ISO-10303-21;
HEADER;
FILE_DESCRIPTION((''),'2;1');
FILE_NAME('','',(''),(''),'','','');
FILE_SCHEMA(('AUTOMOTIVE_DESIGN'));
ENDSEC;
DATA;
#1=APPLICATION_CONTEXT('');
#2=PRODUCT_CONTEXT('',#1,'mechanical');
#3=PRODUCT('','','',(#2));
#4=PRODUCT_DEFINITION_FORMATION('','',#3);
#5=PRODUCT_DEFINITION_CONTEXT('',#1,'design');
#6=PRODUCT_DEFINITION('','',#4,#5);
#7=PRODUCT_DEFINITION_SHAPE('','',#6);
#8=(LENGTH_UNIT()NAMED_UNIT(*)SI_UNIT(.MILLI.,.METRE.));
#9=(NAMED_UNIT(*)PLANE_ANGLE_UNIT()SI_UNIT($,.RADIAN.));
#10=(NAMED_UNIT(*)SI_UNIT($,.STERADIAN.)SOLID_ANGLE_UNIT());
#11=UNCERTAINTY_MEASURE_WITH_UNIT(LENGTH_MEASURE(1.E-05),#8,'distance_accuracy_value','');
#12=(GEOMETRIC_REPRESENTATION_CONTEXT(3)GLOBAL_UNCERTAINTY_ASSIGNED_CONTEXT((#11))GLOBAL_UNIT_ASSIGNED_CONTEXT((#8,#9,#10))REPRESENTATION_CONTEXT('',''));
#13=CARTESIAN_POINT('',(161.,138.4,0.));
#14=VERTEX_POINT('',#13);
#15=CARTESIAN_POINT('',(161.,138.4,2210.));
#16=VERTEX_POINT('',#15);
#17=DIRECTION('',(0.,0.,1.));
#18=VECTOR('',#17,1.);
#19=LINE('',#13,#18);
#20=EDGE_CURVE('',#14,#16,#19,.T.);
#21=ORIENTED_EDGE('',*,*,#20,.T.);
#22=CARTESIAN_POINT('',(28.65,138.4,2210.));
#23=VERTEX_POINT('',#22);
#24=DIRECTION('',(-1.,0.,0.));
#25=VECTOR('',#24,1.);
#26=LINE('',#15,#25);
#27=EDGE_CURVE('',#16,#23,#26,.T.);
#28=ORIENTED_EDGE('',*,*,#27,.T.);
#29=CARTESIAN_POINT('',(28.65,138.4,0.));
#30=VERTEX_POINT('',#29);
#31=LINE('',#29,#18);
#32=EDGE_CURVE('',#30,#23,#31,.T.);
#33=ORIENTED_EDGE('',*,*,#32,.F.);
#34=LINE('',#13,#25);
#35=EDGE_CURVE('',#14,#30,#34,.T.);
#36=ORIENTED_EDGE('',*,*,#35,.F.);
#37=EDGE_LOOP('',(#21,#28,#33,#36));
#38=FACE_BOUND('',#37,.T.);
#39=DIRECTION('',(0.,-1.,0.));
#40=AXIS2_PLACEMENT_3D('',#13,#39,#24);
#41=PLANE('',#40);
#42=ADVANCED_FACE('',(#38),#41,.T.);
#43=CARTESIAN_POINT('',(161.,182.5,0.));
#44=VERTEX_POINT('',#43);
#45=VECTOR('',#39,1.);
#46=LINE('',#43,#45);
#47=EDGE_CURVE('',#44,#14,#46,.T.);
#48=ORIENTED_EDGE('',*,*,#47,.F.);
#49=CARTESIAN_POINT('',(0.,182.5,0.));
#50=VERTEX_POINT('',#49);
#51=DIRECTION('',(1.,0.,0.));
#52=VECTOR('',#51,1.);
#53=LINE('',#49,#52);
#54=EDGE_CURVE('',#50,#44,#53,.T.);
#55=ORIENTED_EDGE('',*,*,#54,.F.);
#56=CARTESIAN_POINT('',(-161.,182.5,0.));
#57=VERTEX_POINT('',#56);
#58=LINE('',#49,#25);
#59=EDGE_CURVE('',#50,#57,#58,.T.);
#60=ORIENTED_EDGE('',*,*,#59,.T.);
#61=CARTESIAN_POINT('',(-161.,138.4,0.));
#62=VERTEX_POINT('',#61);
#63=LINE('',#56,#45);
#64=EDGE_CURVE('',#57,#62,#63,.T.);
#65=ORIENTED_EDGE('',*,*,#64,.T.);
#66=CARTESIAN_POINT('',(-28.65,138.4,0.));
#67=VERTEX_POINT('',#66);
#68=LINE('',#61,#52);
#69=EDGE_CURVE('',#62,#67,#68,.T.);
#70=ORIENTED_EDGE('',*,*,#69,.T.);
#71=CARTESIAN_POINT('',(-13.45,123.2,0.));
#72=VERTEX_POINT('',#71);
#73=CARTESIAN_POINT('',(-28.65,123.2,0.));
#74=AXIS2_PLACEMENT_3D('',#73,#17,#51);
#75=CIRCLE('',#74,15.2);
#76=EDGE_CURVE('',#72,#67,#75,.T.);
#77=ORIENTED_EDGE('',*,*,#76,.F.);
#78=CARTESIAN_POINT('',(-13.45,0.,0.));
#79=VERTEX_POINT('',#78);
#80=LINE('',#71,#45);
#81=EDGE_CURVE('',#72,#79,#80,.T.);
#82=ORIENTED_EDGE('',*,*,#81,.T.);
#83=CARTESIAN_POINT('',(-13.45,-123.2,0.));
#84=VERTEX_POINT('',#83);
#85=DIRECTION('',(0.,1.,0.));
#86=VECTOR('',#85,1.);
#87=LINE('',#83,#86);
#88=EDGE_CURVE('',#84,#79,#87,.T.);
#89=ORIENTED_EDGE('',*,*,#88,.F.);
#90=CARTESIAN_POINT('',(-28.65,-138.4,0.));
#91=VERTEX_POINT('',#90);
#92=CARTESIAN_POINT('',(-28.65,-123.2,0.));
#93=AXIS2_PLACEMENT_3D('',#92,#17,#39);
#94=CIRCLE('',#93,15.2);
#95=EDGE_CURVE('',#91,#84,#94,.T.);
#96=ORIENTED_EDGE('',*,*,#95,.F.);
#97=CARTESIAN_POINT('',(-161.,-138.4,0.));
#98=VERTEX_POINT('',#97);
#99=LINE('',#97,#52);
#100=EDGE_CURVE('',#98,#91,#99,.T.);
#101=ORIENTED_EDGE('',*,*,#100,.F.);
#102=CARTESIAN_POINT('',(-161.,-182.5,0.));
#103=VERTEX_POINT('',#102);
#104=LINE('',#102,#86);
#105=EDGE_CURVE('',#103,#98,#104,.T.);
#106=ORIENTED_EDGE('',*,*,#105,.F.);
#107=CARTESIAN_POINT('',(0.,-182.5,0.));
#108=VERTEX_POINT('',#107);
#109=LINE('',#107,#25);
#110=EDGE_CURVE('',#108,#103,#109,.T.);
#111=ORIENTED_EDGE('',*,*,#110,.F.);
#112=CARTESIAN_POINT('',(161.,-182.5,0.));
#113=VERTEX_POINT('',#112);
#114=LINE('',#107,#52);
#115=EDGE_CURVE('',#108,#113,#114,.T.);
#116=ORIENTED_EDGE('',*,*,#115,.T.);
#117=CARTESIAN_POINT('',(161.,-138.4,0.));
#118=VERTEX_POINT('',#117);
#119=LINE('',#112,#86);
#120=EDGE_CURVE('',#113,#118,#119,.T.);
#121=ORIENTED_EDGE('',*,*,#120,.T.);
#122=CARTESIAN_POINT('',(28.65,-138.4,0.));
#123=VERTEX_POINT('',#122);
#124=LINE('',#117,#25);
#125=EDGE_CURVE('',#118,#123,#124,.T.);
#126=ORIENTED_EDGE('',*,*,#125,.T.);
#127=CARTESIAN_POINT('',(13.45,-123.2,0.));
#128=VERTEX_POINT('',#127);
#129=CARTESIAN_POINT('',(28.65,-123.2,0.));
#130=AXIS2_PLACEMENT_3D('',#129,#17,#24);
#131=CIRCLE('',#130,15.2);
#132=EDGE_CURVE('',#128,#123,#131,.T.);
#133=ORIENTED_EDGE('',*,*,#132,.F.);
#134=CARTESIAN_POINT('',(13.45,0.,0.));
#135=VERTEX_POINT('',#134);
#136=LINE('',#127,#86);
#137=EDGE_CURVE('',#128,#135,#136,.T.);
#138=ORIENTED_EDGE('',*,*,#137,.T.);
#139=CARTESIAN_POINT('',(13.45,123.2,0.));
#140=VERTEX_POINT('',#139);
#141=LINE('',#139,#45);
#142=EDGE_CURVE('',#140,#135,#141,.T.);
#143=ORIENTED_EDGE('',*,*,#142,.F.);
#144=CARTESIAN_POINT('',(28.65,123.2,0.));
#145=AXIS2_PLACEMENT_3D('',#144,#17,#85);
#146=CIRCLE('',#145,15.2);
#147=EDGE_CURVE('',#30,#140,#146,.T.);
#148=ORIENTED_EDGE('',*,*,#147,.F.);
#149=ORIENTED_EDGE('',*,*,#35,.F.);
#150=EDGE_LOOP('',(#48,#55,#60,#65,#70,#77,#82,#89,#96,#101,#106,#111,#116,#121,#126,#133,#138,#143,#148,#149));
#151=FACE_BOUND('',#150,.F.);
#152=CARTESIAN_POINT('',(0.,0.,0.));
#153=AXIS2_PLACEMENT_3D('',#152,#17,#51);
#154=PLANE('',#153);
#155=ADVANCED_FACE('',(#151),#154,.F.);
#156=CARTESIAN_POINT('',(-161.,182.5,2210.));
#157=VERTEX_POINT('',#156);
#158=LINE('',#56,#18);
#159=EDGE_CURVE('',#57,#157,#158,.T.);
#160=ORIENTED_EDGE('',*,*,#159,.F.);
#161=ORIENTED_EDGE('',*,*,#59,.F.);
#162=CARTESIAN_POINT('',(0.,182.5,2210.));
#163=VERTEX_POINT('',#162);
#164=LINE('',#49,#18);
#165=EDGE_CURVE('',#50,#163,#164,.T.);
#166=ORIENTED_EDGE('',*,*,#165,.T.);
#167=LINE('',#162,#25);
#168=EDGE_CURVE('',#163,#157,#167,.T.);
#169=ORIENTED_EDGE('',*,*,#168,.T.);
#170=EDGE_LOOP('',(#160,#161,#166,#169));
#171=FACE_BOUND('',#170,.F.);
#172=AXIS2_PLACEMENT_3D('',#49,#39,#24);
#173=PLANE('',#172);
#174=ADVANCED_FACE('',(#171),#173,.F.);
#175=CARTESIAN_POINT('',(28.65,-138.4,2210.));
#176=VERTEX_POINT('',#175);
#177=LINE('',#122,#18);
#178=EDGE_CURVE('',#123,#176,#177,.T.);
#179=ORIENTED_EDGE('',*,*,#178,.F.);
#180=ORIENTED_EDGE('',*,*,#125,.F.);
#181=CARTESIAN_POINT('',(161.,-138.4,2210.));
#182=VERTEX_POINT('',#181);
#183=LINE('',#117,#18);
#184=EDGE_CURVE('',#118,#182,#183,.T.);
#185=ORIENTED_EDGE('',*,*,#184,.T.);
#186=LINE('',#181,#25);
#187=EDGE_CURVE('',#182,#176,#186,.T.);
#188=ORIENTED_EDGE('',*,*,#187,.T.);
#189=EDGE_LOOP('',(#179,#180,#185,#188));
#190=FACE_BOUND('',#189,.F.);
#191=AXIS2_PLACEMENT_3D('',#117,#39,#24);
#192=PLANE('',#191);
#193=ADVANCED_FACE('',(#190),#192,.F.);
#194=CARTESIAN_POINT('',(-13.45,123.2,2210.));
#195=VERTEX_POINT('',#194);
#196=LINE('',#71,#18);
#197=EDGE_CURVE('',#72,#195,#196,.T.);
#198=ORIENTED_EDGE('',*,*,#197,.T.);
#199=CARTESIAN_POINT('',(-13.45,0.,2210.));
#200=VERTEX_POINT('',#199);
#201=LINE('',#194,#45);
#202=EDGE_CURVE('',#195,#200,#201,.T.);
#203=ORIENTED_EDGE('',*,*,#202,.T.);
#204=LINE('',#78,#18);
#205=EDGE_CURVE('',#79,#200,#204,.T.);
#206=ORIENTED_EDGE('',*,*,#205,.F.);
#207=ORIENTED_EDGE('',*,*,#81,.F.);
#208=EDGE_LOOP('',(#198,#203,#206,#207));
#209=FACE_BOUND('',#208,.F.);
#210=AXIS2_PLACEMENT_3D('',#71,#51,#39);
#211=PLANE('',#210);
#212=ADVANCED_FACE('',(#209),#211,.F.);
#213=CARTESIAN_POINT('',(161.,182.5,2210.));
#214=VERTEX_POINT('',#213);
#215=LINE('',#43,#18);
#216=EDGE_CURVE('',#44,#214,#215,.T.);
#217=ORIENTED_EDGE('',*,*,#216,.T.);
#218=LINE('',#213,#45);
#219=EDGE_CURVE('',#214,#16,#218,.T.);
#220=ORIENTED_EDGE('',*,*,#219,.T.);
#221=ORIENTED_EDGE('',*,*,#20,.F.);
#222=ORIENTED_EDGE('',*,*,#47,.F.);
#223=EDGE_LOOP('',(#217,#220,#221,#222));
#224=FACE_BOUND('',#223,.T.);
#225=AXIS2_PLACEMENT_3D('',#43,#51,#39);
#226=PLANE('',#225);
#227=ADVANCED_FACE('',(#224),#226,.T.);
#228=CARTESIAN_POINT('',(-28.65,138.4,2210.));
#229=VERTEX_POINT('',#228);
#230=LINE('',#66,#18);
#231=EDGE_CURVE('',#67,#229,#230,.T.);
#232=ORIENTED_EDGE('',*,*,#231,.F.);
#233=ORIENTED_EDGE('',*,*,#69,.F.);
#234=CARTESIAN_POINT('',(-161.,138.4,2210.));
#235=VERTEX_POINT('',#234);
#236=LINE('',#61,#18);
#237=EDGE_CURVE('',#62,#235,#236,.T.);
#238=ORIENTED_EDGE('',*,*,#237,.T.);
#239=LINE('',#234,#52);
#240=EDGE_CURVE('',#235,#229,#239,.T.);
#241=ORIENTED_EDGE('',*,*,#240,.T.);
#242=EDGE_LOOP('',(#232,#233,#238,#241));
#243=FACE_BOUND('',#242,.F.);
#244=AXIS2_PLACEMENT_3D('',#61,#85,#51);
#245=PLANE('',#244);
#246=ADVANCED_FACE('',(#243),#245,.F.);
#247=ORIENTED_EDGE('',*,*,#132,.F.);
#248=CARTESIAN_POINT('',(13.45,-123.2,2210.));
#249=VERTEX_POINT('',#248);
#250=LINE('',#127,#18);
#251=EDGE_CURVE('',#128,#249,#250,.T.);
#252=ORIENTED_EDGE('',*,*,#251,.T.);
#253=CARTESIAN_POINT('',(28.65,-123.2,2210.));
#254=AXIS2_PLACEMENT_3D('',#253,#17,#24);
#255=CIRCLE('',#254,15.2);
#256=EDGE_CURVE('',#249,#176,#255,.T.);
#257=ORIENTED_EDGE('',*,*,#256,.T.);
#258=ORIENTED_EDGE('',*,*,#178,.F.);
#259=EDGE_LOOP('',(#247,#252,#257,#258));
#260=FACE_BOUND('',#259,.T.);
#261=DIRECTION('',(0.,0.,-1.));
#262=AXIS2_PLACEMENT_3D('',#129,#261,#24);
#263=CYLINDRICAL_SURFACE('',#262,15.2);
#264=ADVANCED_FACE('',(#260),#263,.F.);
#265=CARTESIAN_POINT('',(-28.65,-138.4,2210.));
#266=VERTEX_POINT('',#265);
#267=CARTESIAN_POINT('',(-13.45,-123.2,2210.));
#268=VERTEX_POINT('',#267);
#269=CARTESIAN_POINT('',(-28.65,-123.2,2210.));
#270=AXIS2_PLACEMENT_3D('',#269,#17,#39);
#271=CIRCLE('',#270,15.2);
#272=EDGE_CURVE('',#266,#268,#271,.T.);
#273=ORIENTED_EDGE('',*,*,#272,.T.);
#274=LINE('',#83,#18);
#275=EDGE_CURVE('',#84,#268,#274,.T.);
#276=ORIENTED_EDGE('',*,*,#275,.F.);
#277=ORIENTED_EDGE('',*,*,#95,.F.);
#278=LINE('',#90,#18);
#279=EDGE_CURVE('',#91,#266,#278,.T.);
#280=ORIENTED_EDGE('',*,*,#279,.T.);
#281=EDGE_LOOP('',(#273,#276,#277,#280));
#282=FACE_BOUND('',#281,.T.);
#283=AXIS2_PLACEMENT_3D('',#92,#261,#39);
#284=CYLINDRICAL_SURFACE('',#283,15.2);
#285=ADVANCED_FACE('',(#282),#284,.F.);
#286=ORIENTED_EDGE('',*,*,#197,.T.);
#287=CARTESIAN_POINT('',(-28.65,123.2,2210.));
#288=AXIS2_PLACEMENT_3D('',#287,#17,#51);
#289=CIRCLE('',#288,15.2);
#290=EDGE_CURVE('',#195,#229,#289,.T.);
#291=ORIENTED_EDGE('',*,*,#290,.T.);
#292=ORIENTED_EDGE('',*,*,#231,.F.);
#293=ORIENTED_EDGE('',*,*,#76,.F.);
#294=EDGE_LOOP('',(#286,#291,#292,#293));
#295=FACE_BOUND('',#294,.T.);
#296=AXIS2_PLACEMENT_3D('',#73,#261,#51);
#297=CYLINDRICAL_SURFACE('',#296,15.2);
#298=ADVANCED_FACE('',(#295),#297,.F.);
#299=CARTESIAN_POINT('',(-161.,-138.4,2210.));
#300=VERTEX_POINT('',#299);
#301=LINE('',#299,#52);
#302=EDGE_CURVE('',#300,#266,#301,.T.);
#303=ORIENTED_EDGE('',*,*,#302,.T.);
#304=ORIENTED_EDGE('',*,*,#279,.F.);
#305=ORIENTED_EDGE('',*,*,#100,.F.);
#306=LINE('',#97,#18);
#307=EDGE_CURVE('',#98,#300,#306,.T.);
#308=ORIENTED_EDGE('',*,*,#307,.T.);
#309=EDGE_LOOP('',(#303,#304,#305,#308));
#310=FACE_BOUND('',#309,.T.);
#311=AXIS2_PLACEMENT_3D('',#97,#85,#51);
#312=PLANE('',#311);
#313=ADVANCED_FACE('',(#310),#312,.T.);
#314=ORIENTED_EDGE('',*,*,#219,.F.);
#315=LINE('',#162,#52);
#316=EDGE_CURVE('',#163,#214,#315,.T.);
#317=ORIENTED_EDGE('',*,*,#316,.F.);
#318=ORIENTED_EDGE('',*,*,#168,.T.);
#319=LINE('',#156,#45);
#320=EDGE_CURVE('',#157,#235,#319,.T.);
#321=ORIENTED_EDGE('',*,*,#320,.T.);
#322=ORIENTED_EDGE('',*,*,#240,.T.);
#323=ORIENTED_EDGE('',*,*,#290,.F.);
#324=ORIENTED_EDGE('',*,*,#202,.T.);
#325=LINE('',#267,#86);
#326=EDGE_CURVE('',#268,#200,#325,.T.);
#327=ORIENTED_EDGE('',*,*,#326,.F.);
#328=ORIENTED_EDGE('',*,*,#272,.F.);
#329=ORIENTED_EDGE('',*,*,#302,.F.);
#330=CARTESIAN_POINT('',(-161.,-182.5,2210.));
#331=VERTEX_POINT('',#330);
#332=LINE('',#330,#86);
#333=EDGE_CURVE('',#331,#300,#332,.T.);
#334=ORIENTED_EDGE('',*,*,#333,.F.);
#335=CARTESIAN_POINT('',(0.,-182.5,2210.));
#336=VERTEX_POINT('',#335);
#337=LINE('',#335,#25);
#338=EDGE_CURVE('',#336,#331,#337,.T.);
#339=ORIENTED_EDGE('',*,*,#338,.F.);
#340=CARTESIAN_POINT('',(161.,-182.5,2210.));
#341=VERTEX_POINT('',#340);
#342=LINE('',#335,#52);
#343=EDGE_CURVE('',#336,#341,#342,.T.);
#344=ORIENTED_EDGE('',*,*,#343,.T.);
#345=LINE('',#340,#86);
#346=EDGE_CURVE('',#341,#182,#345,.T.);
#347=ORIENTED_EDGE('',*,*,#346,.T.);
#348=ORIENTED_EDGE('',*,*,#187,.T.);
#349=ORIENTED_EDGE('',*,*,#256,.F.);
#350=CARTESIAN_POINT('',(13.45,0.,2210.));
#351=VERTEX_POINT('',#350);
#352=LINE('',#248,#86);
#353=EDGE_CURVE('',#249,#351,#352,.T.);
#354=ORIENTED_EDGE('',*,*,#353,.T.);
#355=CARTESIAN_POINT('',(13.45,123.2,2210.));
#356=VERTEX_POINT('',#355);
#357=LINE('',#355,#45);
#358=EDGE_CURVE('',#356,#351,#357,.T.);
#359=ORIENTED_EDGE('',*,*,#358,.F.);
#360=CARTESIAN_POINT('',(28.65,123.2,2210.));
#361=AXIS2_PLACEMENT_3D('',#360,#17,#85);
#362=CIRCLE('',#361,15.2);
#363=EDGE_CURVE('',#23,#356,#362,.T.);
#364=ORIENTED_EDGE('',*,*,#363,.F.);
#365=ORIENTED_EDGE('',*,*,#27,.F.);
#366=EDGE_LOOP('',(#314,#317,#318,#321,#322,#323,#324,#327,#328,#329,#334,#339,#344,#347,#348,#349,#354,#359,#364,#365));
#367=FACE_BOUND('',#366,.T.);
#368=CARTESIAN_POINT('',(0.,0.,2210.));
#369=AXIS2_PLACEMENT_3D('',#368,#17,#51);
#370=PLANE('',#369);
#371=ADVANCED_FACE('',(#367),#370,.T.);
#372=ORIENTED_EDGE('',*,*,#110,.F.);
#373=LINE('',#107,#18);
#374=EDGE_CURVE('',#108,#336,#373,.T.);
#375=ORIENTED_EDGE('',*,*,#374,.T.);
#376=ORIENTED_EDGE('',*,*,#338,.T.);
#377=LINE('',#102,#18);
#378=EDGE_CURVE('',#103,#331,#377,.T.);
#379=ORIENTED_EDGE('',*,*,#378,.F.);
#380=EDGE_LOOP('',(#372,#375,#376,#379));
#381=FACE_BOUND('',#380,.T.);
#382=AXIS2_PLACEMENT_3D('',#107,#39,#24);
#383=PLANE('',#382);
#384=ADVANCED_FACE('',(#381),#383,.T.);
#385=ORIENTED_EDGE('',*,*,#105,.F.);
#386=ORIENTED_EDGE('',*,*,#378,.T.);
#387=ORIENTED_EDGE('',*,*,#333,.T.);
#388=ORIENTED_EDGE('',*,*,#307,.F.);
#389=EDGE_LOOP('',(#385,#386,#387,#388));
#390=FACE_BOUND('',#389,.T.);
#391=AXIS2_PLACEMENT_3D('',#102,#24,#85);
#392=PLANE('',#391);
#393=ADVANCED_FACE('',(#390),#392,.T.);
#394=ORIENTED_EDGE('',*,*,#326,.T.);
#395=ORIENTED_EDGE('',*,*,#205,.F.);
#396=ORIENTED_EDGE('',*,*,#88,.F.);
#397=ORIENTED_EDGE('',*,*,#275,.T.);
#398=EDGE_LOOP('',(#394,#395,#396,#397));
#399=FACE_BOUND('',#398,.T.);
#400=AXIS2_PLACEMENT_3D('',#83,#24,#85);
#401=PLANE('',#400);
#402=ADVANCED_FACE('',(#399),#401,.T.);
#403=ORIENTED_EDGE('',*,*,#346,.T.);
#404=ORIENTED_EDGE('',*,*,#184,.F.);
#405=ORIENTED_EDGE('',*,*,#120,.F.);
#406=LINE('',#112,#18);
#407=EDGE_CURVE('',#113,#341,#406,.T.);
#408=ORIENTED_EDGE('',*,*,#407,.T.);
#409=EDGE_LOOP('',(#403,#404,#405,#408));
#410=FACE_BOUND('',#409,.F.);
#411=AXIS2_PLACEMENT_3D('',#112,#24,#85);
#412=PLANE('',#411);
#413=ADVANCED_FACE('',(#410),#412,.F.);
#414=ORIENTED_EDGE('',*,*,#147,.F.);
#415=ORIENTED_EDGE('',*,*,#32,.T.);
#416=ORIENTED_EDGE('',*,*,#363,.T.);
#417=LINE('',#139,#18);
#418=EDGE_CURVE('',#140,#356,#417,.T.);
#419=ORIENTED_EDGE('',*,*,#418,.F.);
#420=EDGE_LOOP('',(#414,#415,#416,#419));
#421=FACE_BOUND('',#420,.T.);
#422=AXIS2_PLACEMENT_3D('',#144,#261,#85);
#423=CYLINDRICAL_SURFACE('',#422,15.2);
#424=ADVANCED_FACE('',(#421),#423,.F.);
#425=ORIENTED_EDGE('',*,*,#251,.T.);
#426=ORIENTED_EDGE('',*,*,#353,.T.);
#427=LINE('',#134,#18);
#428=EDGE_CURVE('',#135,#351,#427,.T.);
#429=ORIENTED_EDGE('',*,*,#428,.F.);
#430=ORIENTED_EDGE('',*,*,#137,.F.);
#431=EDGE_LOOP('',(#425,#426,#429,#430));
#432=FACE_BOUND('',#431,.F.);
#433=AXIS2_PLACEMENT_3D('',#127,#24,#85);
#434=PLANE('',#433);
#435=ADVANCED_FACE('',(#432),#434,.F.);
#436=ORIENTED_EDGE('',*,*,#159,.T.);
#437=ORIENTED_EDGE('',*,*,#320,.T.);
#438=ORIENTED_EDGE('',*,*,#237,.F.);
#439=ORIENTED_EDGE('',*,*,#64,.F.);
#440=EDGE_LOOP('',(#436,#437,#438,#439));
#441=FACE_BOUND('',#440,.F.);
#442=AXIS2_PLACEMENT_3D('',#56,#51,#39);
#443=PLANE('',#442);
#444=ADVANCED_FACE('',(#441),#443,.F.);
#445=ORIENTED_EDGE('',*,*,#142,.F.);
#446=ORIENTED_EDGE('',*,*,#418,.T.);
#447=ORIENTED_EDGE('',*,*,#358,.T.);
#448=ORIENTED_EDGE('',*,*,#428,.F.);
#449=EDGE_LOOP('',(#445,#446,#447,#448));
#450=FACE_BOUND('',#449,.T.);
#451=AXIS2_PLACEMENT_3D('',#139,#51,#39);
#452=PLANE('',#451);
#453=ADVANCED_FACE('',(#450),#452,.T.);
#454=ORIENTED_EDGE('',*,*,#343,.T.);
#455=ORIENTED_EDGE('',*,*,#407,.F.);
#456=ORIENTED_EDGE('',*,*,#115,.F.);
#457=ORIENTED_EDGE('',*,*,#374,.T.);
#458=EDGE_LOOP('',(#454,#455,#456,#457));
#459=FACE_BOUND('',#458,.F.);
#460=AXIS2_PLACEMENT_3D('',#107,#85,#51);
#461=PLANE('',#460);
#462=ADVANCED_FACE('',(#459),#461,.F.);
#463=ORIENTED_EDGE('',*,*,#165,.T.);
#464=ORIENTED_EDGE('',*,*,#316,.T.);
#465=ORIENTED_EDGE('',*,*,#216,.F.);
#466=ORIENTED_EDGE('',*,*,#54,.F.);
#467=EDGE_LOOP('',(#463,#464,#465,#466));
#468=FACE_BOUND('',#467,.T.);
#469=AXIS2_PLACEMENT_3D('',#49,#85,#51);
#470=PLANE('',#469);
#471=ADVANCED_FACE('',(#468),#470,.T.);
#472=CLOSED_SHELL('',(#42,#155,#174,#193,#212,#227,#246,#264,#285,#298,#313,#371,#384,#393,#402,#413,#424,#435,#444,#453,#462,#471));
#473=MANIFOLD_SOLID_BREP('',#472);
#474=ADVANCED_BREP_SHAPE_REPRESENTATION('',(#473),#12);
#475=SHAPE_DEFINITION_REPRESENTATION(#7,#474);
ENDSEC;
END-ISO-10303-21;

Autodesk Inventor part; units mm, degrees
ref_plane "YZ Plane" through (0, 0, 0) normal (1, 0, 0) x (0, 1, 0)
ref_plane "Start plane" through (0, 0, 0) normal (0, 0, 1) x (1, 0, 0)
ref_plane "End plane" through (0, 0, 2210) normal (0, 0, 1) x (1, 0, 0)
sketch "Sketch" plane through (0, 0, 0) normal (0, 0, 1) x (1, 0, 0)
  line L0 (-161, -182.5) -> (-161, -138.4)
  line L1 (-161, -138.4) -> (-28.65, -138.4)
  line L2 (-13.45, -123.2) -> (-13.45, 0)
  line L3 (-13.45, 0) -> (0, 0) construction
  line L4 (0, 0) -> (0, -182.5) construction
  line L5 (0, -182.5) -> (-161, -182.5)
  line L6 (-60, 0) -> (80, 0) construction
  line L7 (0, -60) -> (0, 80) construction
  line L8 (161, -182.5) -> (161, -138.4)
  line L9 (161, -138.4) -> (28.65, -138.4)
  line L10 (13.45, -123.2) -> (13.45, 0)
  line L11 (13.45, 0) -> (0, 0) construction
  line L12 (0, -182.5) -> (161, -182.5)
  line L13 (-161, 182.5) -> (-161, 138.4)
  line L14 (-161, 138.4) -> (-28.65, 138.4)
  line L15 (-13.45, 123.2) -> (-13.45, 0)
  line L16 (0, 182.5) -> (-161, 182.5)
  line L17 (161, 182.5) -> (161, 138.4)
  line L18 (161, 138.4) -> (28.65, 138.4)
  line L19 (0, 182.5) -> (161, 182.5)
  line L20 (13.45, 123.2) -> (13.45, 0)
  arc A0 (-13.45, 123.2) -> (-28.65, 138.4) centre (-28.65, 123.2) ccw
  arc A1 (28.65, 138.4) -> (13.45, 123.2) centre (28.65, 123.2) ccw
  arc A2 (13.45, -123.2) -> (28.65, -138.4) centre (28.65, -123.2) ccw
  arc A3 (-28.65, -138.4) -> (-13.45, -123.2) centre (-28.65, -123.2) ccw
  line L21 (0, 108) -> (0, -88) construction
  line L22 (-88, 0) -> (108, 0) construction
  point P0 (-13.45, -138.4)
  point P1 (13.45, -138.4)
  point P2 (-13.45, 138.4)
  point P3 (13.45, 138.4)
  dimension "d1" = 182.5
  dimension "d2" = 44.1
  dimension "d3" = 161
  dimension "d4" = 13.45
  dimension "d10" = 15.2
extrude "Body" add sketch "Sketch" along normal up to surface (2210 mm away) from surface at 0
sketch "Sketch4" plane through (0, 0, 0) normal (0, 0, 1) x (1, 0, 0)
  line L0 (0, 0) -> (10, 0)
ref_plane "Work Plane3" through (0, 0, 0) normal (0, -1, 0) x (1, 0, 0)
sketch "Sketch5" plane through (0, 0, 0) normal (0, -1, 0) x (1, 0, 0)
  line L0 (-2, 0) -> (12, 0) projected
  line L1 (-2, 2210) -> (12, 2210) projected
  dimension "d14" = 2210
equation "\"d1\" = 0.5 * G_H"
equation "\"d2\" = G_T1"
equation "\"d3\" = 0.5 * G_W"
equation "\"d4\" = 0.5 * G_T"
equation "\"d10\" = G_IR"
equation "\"d5\" = G_L"
equation "\"G_W\" = 322"
equation "\"G_H\" = 365"
equation "\"G_T\" = 26.9"
equation "\"G_T1\" = 44.1"
equation "\"G_IR\" = 15.2"
equation "\"G_L\" = d14"
equation "\"G_OFFSET_START\" = 0"
equation "\"G_OFFSET_END\" = 0"
properties part number "AS 3679 - 310 UC - 283 - 2210" material "Steel, Mild"
